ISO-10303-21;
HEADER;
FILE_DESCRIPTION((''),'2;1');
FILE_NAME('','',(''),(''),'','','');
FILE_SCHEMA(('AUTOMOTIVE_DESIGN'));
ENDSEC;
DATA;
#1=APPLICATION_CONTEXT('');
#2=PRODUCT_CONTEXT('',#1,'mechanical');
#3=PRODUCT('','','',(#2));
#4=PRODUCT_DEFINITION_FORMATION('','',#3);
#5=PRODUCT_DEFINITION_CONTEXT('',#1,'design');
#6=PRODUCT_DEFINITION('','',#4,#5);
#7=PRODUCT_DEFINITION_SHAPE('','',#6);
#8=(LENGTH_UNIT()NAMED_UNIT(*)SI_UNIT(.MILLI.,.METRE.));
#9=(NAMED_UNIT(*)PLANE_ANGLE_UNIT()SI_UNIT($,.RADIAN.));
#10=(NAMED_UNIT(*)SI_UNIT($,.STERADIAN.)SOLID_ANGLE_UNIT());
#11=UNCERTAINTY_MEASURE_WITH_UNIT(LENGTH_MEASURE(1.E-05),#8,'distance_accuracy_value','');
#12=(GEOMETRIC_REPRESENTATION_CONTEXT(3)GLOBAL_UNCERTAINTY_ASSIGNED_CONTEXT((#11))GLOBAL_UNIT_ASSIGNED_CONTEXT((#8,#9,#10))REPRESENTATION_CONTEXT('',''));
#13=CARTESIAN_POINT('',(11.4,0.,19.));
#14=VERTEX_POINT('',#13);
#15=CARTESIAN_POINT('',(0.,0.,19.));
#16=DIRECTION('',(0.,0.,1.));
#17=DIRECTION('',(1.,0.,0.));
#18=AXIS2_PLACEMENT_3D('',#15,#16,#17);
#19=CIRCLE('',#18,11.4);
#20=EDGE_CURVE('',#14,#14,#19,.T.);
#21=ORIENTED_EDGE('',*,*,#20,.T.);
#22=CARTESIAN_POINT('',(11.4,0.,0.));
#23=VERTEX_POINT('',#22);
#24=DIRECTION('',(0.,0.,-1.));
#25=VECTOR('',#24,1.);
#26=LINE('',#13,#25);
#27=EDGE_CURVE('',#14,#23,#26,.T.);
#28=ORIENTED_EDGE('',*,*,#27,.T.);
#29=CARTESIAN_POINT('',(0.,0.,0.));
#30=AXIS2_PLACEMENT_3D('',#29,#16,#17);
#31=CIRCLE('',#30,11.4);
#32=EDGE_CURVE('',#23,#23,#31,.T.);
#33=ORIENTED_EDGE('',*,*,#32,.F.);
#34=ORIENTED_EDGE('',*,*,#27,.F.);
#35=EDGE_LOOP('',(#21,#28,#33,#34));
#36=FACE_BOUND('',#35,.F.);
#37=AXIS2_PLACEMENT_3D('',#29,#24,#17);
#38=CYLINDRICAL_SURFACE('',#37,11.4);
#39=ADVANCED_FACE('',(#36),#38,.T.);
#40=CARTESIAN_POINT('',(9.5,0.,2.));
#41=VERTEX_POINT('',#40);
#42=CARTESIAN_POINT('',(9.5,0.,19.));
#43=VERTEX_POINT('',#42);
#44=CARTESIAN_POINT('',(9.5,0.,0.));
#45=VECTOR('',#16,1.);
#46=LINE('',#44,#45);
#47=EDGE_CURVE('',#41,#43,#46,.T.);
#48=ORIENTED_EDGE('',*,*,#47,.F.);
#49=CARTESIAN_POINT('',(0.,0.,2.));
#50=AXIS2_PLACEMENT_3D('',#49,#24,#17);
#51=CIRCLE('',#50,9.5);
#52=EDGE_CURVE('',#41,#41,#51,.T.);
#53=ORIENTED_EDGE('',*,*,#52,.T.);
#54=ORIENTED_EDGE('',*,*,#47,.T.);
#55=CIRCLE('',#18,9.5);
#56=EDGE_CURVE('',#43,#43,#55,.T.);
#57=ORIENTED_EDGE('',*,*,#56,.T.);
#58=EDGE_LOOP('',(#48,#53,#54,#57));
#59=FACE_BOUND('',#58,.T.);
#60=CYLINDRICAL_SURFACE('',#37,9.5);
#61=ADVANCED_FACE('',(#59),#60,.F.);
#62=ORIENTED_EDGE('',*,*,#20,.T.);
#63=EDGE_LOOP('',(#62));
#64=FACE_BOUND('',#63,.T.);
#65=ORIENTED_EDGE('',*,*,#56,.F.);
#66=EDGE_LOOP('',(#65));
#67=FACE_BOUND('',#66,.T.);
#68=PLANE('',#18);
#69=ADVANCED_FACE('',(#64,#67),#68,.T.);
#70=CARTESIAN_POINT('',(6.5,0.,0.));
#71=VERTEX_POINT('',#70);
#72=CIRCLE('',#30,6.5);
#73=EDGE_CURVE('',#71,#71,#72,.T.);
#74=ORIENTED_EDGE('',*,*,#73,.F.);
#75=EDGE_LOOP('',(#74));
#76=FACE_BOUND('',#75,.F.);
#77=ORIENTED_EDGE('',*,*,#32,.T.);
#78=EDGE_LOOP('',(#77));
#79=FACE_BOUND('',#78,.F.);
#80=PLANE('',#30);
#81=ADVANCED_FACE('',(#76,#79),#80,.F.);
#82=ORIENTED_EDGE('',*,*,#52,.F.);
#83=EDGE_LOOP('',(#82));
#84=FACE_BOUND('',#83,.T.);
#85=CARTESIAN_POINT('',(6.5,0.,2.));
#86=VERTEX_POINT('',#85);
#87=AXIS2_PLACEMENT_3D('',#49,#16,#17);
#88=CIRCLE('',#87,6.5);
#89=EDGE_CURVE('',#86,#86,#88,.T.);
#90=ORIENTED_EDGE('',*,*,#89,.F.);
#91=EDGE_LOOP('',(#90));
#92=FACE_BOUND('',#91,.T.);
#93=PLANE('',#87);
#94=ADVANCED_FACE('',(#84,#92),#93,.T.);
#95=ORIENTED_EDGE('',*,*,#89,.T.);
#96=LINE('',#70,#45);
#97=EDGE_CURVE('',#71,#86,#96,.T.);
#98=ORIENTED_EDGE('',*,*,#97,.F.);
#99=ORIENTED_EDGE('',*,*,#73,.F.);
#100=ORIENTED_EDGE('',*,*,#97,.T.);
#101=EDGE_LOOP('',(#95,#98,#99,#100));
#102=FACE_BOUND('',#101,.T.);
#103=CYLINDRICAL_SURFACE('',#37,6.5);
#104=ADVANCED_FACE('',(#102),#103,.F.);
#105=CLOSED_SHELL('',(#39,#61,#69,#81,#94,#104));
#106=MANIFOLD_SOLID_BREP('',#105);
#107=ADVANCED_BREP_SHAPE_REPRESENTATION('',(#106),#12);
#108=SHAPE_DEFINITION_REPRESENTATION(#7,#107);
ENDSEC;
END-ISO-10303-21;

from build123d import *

# Parameters (mm, degrees)
F0_R     = 11.4
F0_R_2   = 9.5
F0_R_3   = 6.5
F1_DEPTH = 2
F2_DEPTH = 19


with BuildPart() as f1:
    # F0 (on Top) → F1 (new body)
    with BuildSketch(Plane.XY):
        Circle(F0_R)
        Circle(F0_R_2, mode=Mode.SUBTRACT)
        Circle(F0_R_2)
        Circle(F0_R_3, mode=Mode.SUBTRACT)
    extrude(amount=F1_DEPTH)

    # F0 (on Top) → F2 (join)
    with BuildSketch(Plane.XY):
        Circle(F0_R)
        Circle(F0_R_2, mode=Mode.SUBTRACT)
    extrude(amount=F2_DEPTH)


solid = f1.part
